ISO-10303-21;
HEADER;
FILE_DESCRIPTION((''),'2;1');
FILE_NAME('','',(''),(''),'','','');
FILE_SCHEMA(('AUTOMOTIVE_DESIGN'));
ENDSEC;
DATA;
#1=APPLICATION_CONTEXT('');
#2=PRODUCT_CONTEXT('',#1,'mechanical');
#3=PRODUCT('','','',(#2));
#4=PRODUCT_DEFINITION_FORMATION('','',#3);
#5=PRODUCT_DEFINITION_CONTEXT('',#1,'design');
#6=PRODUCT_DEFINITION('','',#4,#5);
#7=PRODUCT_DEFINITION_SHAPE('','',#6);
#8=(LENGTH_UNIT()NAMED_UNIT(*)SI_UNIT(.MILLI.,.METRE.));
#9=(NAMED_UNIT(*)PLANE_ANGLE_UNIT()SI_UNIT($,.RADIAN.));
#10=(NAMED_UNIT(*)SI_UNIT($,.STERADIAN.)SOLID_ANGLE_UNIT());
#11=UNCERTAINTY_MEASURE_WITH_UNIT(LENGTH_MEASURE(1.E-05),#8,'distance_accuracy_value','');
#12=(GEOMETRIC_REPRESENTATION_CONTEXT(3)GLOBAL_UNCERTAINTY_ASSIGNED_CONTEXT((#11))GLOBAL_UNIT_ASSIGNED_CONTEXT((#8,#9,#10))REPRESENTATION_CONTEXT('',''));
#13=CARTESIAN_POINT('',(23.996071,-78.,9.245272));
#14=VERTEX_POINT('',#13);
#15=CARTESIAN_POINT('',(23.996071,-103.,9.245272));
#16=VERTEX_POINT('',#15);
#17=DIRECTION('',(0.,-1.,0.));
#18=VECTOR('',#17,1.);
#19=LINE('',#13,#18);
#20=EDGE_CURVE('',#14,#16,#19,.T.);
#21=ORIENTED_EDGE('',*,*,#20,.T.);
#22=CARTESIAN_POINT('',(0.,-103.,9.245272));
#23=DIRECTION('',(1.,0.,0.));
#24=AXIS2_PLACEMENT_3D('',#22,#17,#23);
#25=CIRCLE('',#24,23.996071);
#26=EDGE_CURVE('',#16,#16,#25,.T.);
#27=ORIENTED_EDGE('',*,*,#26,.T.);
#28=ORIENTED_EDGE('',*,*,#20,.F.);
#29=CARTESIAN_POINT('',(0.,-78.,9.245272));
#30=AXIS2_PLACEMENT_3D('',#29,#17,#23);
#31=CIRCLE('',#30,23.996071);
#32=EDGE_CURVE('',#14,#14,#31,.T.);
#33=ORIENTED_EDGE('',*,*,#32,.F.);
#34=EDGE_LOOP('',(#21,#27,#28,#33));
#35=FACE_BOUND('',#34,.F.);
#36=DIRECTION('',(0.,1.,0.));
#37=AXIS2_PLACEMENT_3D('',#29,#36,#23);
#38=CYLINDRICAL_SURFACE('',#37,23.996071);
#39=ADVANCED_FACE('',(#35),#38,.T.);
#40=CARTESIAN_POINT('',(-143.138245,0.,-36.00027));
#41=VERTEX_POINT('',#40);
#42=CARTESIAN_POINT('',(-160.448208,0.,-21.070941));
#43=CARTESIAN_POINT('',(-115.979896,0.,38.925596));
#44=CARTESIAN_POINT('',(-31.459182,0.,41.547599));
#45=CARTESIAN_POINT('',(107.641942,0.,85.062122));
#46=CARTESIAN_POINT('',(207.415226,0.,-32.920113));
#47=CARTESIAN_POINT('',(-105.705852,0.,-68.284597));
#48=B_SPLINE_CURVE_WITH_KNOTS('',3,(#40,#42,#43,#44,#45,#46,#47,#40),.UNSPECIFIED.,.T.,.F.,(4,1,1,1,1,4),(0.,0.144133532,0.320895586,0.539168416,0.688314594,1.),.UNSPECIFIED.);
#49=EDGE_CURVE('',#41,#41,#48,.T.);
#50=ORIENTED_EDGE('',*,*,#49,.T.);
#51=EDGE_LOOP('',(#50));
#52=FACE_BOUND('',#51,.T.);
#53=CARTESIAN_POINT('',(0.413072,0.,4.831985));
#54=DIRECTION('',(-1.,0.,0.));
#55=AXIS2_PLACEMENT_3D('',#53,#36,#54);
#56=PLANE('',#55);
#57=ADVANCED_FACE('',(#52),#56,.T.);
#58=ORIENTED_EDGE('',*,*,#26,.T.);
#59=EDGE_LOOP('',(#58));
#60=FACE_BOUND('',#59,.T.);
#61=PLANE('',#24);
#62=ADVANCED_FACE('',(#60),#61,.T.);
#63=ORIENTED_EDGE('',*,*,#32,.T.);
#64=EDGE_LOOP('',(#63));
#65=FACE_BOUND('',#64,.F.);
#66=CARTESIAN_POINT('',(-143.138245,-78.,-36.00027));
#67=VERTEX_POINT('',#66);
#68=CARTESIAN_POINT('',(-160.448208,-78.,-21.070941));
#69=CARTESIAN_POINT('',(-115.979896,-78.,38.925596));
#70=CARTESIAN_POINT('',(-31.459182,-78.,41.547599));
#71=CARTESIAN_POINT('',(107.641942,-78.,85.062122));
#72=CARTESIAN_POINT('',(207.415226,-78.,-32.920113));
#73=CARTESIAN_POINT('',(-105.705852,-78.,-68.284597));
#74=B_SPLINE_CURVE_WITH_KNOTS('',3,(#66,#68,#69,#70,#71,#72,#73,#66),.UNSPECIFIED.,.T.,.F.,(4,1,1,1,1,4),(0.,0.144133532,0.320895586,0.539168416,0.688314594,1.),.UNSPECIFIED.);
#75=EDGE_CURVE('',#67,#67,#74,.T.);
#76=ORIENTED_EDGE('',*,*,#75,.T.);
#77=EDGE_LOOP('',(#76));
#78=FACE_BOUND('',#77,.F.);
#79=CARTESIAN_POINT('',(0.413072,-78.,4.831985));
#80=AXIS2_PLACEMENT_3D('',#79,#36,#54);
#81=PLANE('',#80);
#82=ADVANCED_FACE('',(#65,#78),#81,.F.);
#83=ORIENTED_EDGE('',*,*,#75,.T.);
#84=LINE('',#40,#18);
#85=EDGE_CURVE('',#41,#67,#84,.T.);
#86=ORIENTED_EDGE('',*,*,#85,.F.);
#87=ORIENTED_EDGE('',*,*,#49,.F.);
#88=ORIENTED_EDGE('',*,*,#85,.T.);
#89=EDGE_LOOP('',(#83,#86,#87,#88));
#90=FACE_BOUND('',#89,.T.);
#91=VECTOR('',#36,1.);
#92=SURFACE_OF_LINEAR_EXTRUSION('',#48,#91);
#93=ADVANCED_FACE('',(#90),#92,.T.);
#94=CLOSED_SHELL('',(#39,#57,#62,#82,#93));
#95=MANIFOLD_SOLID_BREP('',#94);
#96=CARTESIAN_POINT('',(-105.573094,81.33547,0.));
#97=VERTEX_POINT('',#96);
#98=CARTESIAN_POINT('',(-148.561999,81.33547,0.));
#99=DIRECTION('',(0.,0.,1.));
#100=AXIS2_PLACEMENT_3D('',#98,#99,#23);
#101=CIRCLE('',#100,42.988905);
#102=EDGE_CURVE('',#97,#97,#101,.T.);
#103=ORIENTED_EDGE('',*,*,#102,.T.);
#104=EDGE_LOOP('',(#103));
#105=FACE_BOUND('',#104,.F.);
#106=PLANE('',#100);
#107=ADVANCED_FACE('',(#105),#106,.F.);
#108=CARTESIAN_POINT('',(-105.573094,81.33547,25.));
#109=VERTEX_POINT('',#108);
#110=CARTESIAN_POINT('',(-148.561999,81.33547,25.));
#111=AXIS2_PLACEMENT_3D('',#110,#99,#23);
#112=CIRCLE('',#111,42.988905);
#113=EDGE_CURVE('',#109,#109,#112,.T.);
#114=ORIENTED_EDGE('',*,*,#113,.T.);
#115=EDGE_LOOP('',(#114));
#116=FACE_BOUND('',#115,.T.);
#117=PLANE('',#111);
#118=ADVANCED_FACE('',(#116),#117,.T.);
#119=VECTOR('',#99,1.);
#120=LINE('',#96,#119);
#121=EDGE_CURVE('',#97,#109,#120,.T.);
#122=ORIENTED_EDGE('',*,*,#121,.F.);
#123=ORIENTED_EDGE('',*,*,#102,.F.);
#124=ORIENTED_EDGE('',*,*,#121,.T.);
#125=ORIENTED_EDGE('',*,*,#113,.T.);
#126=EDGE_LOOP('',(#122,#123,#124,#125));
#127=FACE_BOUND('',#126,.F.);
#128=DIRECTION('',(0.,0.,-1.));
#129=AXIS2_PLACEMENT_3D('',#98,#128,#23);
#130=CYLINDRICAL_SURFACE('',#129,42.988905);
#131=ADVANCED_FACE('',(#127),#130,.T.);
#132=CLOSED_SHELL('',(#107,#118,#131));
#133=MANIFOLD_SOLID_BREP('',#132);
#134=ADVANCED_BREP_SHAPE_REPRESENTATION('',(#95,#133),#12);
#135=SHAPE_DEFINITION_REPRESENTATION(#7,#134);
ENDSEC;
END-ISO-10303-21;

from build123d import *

# Parameters (mm, degrees)
F1_DEPTH = 78
F2_R     = 23.9960708061
F3_DEPTH = 25
F4_R     = 42.9889048228
F5_DEPTH = 25


with BuildPart() as f1:
    # F0 (on Front) → F1 (new body)
    with BuildSketch(Plane.XZ):
        with BuildLine():
            add(Edge.make_bspline(
                [(-143.1382447481, -36.0002703965), (-160.4482080617, -21.0709410685), (-115.9798959139, 38.9255963548), (-31.4591819286, 41.5475990869), (107.6419420643, 85.0621224194), (207.4152261336, -32.9201125907), (-105.7058521811, -68.2845974077), (-143.1382447481, -36.0002703965)],
                knots=[0, 0, 0, 0, 0.144133532, 0.3208955861, 0.5391684157, 0.6883145936, 1, 1, 1, 1], degree=3))
        make_face()
    extrude(amount=F1_DEPTH)

    # F2 (on face) → F3 (join)
    with BuildSketch(Plane.XZ.offset(78)):
        with Locations((0, 9.2452717945)):
            Circle(F2_R)
    extrude(amount=F3_DEPTH)


with BuildPart() as f5:
    # F4 (on Top) → F5 (new body)
    with BuildSketch(Plane.XY):
        with Locations((-148.5619992018, 81.3354700804)):
            Circle(F4_R)
    extrude(amount=F5_DEPTH)


solid = Compound([f1.part, f5.part])
